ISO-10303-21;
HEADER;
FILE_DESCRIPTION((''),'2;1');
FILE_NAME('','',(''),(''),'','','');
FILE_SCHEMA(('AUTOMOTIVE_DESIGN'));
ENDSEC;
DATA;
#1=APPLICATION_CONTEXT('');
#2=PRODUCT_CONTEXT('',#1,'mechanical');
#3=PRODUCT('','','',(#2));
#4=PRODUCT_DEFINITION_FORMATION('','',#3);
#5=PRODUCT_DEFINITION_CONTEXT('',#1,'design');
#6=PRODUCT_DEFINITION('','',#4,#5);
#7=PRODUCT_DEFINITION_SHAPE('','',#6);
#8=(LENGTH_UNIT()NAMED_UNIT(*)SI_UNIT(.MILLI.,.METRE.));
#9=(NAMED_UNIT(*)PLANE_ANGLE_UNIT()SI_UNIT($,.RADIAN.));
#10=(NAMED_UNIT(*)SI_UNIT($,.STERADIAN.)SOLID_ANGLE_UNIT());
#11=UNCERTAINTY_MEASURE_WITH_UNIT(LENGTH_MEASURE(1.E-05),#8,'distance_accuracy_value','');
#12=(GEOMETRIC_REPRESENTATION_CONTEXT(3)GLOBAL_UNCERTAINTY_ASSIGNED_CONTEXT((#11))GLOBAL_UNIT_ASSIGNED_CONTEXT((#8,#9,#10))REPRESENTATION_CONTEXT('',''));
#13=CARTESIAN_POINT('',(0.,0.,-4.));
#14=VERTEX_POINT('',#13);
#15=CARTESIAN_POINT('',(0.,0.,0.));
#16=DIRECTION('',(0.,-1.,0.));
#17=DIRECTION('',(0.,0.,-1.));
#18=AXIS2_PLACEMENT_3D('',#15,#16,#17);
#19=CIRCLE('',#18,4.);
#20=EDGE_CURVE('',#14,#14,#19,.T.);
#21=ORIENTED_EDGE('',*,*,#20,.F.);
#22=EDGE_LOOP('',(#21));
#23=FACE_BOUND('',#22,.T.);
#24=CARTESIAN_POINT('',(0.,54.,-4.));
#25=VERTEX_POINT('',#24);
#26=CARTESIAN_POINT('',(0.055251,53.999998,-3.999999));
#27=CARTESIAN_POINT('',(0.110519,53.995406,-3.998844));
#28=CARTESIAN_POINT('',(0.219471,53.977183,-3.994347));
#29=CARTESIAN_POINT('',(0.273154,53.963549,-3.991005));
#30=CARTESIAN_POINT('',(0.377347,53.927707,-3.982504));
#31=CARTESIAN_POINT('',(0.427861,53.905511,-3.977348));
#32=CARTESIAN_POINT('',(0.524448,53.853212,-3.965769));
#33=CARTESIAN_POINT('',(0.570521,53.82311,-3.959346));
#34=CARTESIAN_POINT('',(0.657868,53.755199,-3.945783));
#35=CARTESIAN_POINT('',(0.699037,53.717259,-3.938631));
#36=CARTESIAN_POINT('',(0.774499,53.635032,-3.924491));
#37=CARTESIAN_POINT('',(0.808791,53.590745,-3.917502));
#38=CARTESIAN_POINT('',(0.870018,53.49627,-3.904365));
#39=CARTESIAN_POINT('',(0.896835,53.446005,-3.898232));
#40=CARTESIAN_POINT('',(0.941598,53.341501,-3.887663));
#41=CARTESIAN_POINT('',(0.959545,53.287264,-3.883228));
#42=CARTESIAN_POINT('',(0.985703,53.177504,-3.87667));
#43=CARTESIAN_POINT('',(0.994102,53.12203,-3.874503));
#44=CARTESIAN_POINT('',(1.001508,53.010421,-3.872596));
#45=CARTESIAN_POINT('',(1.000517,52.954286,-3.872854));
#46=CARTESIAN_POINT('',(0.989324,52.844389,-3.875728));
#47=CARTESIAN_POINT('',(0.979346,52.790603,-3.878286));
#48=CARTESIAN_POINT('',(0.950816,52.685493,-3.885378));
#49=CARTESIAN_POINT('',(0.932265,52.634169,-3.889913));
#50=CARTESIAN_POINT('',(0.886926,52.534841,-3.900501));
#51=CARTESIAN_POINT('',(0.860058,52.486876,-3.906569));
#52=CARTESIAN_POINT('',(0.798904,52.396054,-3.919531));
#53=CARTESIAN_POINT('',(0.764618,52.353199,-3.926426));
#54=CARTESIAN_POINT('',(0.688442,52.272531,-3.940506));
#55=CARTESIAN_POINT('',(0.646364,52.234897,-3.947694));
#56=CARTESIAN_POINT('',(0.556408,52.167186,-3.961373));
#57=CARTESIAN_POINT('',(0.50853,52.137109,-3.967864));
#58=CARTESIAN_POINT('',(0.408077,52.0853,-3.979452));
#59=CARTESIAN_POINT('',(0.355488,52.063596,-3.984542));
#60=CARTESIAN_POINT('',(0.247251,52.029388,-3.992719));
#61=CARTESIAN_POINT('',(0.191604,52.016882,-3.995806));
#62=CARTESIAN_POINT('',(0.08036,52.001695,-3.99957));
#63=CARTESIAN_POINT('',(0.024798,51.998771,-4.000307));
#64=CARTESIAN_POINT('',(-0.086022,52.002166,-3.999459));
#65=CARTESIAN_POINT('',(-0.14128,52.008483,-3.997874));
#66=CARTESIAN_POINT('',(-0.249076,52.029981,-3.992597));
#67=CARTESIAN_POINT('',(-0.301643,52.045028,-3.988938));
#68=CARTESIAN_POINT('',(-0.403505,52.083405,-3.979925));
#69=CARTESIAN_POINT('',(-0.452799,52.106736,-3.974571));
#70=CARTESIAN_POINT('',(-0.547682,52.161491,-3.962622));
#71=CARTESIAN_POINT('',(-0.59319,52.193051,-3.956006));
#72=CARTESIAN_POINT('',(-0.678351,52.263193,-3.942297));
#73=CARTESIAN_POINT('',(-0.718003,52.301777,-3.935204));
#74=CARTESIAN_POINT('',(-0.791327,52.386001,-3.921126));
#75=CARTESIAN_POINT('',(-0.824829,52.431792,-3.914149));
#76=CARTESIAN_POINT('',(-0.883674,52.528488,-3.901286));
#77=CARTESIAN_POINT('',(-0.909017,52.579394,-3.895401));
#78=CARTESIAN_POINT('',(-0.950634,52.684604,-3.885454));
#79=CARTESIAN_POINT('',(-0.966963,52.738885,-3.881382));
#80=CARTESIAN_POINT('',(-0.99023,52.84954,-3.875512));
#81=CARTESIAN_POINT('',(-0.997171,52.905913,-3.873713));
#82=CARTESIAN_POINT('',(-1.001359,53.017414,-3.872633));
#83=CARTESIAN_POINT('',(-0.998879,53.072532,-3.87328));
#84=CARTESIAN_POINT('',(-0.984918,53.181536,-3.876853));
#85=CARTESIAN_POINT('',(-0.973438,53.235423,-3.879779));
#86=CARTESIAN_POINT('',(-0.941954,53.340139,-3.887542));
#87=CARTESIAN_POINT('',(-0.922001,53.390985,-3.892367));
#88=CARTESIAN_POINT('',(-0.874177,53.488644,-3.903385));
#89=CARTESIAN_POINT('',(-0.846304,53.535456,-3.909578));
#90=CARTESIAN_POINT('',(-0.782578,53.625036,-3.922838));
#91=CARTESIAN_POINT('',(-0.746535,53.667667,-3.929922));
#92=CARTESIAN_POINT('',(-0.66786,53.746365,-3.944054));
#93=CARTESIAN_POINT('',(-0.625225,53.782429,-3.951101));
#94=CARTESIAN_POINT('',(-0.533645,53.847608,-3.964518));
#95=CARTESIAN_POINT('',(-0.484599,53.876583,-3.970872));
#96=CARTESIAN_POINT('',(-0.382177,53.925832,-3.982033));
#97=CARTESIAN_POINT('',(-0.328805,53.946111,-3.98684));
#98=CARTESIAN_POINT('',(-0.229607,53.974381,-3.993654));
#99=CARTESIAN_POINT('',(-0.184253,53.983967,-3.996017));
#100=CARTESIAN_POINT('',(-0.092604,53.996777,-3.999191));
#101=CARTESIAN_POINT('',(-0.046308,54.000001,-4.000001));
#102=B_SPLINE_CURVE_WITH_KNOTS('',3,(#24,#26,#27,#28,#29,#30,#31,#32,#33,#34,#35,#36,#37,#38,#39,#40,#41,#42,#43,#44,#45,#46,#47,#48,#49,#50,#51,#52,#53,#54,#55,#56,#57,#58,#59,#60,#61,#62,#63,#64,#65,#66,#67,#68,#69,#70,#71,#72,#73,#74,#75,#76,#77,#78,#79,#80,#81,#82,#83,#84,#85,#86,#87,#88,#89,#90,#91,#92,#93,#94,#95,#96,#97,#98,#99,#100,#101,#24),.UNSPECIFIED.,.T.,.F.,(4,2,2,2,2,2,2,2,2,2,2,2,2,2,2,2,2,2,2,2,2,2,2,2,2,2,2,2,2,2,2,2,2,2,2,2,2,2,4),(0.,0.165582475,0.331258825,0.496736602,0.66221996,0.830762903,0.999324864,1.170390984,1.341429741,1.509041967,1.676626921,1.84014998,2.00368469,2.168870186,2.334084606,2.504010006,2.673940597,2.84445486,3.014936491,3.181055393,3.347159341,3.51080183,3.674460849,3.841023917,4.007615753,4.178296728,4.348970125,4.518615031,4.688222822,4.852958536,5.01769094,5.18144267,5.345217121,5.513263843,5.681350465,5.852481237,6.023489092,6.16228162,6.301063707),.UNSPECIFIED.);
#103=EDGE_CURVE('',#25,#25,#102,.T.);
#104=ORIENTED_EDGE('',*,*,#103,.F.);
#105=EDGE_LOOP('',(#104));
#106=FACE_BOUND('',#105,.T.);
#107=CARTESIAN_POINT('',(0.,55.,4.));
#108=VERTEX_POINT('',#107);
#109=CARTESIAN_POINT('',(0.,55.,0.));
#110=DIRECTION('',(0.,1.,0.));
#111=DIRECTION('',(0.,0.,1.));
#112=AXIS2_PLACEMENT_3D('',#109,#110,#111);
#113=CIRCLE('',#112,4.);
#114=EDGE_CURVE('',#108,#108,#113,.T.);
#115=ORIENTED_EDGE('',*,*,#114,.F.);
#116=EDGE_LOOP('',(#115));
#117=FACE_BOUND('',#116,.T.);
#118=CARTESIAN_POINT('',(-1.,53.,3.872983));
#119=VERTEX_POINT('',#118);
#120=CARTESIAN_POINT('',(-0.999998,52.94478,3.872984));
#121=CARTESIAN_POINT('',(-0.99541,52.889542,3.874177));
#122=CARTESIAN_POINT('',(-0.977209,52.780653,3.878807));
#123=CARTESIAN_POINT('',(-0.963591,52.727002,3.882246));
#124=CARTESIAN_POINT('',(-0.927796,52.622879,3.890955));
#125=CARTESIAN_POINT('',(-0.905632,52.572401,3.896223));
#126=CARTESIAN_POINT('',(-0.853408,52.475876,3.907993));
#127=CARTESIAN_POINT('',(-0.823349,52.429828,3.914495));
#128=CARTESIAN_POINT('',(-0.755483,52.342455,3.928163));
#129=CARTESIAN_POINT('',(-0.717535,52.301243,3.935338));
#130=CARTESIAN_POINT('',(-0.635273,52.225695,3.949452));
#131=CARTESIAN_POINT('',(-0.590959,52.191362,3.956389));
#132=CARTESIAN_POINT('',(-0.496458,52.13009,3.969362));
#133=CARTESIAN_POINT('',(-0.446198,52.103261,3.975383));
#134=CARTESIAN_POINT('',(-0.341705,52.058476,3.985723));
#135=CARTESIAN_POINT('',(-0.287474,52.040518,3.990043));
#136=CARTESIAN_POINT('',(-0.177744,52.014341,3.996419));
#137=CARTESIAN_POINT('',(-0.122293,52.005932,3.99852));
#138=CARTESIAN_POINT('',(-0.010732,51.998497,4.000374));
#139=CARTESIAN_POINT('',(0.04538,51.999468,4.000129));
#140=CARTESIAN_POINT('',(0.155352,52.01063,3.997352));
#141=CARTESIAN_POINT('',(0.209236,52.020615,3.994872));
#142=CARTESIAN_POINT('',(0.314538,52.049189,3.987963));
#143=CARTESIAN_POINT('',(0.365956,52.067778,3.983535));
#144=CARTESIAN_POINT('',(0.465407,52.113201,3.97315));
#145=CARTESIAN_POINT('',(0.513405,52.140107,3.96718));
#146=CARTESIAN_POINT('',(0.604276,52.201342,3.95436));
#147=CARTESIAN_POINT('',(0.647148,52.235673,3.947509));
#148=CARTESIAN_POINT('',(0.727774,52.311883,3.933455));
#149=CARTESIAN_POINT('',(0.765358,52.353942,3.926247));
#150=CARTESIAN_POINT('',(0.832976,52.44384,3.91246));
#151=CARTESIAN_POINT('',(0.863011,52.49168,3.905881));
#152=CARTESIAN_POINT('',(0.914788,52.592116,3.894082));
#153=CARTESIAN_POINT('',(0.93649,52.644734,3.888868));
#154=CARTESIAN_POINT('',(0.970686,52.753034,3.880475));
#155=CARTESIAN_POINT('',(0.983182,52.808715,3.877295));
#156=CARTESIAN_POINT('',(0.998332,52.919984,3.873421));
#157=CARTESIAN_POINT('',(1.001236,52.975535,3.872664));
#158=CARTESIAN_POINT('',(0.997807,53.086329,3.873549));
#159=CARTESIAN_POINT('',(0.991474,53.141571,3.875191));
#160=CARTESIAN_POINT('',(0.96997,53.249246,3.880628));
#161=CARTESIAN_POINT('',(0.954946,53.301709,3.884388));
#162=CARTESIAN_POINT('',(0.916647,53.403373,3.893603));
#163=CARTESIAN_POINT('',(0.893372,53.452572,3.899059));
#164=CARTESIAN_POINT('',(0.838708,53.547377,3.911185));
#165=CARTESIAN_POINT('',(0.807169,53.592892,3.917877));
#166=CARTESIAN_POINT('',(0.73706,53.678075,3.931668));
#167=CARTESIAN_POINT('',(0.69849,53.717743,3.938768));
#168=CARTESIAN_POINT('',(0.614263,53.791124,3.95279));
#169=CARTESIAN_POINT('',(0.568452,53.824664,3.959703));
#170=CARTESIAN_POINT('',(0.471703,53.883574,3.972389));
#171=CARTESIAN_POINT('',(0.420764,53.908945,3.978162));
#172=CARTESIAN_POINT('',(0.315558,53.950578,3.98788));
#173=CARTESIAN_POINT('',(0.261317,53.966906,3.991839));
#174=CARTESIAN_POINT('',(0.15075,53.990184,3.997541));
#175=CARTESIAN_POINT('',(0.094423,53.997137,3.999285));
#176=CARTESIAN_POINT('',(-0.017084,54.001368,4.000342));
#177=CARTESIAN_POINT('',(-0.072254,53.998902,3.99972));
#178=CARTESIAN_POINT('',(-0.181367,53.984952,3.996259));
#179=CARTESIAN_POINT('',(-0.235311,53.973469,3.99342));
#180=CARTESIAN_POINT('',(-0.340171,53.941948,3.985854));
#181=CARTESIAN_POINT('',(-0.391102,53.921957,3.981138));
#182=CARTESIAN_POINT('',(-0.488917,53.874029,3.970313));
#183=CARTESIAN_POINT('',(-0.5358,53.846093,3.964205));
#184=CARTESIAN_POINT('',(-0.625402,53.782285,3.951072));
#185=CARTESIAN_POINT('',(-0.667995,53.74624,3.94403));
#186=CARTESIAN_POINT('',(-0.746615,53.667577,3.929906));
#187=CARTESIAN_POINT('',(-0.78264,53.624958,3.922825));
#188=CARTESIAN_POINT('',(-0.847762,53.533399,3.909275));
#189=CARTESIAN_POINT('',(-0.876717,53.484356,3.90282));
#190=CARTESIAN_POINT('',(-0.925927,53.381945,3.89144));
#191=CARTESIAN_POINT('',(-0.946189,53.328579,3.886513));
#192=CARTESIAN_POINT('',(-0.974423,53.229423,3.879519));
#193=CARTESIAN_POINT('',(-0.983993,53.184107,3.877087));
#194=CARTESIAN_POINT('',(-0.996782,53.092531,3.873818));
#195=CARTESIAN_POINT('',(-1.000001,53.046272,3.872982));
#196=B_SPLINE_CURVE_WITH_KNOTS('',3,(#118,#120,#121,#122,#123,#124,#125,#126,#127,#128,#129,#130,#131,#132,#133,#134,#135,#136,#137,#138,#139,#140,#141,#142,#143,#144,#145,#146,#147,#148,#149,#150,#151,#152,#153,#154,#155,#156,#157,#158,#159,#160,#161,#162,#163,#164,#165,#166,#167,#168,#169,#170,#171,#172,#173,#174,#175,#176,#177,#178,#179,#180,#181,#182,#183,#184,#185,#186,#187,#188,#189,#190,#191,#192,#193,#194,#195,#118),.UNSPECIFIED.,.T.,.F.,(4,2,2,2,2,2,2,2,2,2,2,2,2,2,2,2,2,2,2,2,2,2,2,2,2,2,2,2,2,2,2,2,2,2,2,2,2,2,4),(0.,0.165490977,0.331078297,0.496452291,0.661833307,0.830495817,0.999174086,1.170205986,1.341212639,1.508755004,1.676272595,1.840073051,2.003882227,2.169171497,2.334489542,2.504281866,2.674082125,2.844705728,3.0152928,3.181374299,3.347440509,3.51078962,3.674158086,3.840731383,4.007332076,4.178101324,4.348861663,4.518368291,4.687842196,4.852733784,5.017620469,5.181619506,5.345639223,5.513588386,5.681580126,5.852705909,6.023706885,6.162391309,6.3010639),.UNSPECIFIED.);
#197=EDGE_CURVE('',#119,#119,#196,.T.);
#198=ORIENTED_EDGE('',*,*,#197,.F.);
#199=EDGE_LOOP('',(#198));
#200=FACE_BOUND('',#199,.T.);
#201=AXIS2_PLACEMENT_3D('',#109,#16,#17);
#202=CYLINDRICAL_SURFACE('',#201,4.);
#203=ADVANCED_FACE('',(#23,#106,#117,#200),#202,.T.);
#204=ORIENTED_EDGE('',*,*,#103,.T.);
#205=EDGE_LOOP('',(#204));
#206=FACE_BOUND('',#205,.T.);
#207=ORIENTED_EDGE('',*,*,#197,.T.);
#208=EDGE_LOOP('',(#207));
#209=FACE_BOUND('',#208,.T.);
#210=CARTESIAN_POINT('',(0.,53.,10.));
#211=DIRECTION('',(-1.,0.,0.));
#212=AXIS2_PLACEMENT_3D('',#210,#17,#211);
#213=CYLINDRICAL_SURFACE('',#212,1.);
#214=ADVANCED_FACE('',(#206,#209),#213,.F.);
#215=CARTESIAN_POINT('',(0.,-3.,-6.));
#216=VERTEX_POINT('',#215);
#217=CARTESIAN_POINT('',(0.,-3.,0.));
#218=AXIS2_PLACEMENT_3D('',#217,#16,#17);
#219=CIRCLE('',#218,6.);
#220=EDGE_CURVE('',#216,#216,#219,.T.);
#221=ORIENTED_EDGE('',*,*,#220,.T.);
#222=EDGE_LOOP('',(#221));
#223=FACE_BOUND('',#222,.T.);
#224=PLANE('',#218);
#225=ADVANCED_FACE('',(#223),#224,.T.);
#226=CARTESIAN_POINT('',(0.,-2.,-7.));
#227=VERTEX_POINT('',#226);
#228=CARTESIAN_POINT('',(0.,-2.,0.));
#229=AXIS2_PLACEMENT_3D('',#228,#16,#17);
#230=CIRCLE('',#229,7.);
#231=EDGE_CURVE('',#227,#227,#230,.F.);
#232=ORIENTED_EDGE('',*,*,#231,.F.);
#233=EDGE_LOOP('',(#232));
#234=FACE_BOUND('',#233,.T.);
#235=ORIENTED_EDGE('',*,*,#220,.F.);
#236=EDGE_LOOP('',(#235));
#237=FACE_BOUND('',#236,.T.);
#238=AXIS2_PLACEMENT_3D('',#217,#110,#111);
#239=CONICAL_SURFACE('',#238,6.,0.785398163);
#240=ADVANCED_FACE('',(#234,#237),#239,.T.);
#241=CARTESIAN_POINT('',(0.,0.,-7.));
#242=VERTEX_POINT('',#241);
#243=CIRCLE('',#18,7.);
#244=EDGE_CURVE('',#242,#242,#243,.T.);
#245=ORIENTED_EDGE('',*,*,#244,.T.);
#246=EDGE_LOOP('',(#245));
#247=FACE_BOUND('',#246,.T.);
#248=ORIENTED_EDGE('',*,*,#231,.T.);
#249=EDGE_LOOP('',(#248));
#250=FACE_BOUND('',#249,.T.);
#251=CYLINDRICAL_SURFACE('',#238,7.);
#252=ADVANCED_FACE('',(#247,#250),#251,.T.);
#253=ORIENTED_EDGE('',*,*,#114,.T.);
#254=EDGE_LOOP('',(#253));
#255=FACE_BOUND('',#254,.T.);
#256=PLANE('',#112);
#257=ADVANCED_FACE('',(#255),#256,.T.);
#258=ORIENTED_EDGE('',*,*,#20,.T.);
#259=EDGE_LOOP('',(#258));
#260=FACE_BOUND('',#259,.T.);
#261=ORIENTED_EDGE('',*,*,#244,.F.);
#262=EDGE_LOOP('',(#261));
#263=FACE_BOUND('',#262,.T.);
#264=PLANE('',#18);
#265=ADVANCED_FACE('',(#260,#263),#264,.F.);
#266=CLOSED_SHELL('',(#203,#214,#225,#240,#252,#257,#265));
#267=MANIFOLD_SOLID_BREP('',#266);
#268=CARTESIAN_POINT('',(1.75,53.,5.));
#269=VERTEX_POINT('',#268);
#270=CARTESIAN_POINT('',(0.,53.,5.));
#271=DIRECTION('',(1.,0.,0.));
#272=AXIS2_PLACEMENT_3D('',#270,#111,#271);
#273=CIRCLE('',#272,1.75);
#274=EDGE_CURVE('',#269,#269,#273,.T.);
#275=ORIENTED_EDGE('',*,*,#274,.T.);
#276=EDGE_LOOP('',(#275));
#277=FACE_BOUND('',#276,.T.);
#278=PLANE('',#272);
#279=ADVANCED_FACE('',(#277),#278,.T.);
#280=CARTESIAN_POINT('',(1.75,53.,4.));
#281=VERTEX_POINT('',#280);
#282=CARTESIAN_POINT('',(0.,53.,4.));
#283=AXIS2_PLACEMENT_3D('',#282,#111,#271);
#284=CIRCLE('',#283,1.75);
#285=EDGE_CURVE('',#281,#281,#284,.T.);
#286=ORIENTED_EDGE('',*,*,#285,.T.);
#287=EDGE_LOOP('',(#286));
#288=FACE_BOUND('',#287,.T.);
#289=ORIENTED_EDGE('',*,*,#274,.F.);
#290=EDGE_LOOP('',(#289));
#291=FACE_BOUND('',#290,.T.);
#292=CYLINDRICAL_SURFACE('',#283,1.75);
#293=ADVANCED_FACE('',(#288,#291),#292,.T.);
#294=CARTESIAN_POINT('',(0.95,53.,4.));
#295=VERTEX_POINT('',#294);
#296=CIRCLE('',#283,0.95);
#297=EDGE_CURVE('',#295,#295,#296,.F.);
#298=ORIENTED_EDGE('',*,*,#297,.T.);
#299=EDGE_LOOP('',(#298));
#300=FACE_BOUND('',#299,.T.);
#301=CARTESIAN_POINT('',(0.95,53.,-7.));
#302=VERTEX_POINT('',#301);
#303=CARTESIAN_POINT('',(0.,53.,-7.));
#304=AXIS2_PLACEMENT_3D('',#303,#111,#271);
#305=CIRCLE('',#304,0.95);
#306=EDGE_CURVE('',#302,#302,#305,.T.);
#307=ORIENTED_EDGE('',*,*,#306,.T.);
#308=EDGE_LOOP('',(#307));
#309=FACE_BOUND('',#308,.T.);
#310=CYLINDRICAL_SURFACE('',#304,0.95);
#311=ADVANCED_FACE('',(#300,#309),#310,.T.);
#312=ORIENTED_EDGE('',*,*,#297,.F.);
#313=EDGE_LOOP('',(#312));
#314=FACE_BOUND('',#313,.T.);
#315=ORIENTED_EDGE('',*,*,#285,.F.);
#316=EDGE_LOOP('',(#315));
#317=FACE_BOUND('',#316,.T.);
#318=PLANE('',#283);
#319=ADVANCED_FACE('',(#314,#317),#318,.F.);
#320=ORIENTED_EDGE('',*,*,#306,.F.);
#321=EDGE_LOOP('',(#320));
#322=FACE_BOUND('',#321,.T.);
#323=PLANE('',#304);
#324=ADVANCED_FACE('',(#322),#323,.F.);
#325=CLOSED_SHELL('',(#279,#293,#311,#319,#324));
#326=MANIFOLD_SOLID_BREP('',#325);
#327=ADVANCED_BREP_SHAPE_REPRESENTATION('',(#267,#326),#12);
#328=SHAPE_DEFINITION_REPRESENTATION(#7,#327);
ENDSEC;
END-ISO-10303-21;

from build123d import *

# Parameters (mm, degrees)
SKETCH1_R                = 4
BOSS_EXTRUDE1_DEPTH      = 55
SKETCH2_R                = 7
BOSS_EXTRUDE2_DEPTH      = 3
CHAMFER1_SIZE            = 1
SKETCH3_R                = 1
CUT_EXTRUDE1_DEPTH       = 10
CUT_EXTRUDE1_DEPTH_BACK  = 10
SKETCH4_R                = 0.95
BOSS_EXTRUDE3_DEPTH      = 5
BOSS_EXTRUDE3_DEPTH_BACK = 7
SKETCH5_R                = 1.75
BOSS_EXTRUDE4_DEPTH      = 1


with BuildPart() as part:
    # Sketch1 → Boss-Extrude1 (new body)
    with BuildSketch(Plane(origin=(0, 0, 0), x_dir=(1, 0, 0), z_dir=(0, 1, 0))):
        Circle(SKETCH1_R)
    extrude(amount=BOSS_EXTRUDE1_DEPTH)

    # Sketch2 → Boss-Extrude2 (add)
    with BuildSketch(Plane.XZ):
        Circle(SKETCH2_R)
    extrude(amount=BOSS_EXTRUDE2_DEPTH)

    # Chamfer1
    chamfer1_edges = [part.edges().sort_by_distance(p)[0] for p in [
        (-7, -3, 0),
    ]]
    chamfer(chamfer1_edges, length=CHAMFER1_SIZE)

    # Sketch3 → Cut-Extrude1 (cut, two sides)
    with BuildSketch(Plane.XY) as cut_extrude1_sk:
        with Locations((0, 53)):
            Circle(SKETCH3_R)
    extrude(amount=CUT_EXTRUDE1_DEPTH, mode=Mode.SUBTRACT)
    extrude(cut_extrude1_sk.sketch, amount=-CUT_EXTRUDE1_DEPTH_BACK, mode=Mode.SUBTRACT)


with BuildPart() as body_2:
    # Sketch4 → Boss-Extrude3 (new body, two sides)
    with BuildSketch(Plane.XY) as boss_extrude3_sk:
        with Locations((0, 53)):
            Circle(SKETCH4_R)
    extrude(amount=BOSS_EXTRUDE3_DEPTH)
    extrude(boss_extrude3_sk.sketch, amount=-BOSS_EXTRUDE3_DEPTH_BACK)

    # Sketch5 → Boss-Extrude4 (add)
    with BuildSketch(Plane.XY.offset(5)):
        with Locations((0, 53)):
            Circle(SKETCH5_R)
    extrude(amount=-BOSS_EXTRUDE4_DEPTH)


solid = Compound([part.part, body_2.part])
